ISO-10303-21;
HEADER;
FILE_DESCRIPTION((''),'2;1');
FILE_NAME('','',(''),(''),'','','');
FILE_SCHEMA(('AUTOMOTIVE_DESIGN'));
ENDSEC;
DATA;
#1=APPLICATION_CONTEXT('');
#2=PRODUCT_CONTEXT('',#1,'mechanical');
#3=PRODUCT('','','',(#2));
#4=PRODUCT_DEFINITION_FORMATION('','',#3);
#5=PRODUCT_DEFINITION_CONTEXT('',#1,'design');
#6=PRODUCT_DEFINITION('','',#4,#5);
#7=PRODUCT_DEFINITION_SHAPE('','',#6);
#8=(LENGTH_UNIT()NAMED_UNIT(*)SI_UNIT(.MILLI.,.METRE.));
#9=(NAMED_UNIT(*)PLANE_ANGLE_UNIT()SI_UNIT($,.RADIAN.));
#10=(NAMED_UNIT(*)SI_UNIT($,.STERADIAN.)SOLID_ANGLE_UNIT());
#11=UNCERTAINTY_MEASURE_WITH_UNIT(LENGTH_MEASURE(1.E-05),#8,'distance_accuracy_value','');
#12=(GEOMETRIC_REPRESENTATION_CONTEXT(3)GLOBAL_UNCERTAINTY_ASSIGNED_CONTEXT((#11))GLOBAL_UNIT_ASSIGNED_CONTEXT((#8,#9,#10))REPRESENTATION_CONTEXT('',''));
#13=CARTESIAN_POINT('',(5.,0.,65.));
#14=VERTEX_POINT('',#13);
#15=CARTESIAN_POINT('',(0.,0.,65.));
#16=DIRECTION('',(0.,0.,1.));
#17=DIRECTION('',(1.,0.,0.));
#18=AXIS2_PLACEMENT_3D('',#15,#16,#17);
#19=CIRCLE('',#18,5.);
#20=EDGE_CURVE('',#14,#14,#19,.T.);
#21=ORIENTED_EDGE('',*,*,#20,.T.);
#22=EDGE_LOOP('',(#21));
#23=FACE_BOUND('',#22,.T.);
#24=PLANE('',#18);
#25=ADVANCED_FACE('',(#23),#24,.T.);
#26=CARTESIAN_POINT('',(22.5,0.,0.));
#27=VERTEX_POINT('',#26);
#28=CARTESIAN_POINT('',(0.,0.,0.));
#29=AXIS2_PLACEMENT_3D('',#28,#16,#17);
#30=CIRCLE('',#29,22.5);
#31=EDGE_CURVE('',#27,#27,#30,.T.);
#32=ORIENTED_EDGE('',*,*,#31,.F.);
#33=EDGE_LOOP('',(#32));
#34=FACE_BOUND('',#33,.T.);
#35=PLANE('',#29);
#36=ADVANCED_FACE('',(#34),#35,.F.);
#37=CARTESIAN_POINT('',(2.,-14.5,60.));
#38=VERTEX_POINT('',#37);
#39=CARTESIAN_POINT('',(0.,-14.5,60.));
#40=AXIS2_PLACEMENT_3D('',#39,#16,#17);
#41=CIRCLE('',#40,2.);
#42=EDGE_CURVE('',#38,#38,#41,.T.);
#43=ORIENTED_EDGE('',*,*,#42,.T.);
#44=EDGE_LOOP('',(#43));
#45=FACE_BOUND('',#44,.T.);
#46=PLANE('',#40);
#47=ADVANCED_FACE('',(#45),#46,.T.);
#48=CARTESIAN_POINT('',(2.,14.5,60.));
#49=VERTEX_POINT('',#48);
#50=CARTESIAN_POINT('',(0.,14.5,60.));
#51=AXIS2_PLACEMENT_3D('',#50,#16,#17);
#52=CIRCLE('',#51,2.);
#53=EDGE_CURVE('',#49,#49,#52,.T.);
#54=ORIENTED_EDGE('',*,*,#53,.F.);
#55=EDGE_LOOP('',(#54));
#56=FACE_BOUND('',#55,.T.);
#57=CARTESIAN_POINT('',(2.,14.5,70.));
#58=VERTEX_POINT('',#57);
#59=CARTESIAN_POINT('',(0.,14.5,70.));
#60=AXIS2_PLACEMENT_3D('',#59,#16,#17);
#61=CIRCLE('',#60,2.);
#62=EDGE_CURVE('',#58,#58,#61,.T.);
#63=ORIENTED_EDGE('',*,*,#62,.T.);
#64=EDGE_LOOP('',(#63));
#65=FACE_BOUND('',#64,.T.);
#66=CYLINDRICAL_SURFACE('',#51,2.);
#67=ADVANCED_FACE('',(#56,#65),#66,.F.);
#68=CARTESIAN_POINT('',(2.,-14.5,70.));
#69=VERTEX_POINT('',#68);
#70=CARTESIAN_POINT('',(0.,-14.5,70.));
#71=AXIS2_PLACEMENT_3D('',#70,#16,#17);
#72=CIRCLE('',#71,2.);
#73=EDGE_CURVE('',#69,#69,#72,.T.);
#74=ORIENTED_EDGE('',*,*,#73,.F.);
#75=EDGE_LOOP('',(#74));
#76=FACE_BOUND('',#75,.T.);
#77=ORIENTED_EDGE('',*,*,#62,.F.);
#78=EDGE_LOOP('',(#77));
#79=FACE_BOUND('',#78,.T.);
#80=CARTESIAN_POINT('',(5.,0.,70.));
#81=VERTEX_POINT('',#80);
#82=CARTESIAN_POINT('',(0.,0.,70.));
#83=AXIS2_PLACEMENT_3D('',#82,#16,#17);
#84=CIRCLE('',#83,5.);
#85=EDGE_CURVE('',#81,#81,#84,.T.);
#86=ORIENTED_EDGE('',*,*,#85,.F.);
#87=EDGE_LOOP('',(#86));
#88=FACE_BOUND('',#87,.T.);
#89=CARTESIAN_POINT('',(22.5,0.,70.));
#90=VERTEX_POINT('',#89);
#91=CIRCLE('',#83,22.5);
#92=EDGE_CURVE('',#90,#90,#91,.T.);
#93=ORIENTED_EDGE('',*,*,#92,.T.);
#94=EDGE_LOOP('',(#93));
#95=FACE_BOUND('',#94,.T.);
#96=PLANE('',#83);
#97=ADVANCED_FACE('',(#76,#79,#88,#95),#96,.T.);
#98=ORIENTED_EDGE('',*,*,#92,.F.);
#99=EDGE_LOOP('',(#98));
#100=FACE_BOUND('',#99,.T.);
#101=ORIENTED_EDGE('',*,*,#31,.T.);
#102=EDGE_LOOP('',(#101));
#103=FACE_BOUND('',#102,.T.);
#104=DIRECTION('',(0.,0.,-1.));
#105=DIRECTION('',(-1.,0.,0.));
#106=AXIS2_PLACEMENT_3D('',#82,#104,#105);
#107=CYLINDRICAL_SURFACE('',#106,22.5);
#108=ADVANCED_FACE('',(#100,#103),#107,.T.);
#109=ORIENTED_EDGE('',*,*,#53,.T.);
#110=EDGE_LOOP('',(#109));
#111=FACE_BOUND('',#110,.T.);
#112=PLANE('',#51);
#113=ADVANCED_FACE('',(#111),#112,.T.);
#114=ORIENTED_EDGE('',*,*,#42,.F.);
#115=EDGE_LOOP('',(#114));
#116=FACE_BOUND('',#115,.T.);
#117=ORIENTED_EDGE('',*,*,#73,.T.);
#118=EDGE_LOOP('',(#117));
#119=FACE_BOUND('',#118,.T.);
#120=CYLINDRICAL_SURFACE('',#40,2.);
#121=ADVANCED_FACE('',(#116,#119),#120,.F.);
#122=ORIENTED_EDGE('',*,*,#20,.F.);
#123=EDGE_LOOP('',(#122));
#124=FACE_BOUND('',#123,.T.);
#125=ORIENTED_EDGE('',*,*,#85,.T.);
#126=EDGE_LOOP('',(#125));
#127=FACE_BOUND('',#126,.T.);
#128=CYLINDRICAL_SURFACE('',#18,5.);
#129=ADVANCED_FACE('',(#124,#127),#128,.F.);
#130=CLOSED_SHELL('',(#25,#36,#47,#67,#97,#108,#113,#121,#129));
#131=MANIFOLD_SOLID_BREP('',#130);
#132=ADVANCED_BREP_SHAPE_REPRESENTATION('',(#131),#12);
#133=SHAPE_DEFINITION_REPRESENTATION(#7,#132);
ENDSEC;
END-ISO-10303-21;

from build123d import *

# Parameters (mm, degrees)
SKETCH_1_R          = 22.5
EXTRUDE_1_DEPTH     = 70
SKETCH_2_R          = 2
CUT_EXTRUDE_1_DEPTH = 10
SKETCH_5_R          = 5
CUT_EXTRUDE_2_DEPTH = 5


with BuildPart() as part:
    # 草图1 → 凸台-拉伸1 (new body)
    with BuildSketch(Plane.XY):
        Circle(SKETCH_1_R)
    extrude(amount=EXTRUDE_1_DEPTH)

    # 草图2 → 切除-拉伸1 (cut)
    with BuildSketch(Plane.XY.offset(70)):
        with Locations((0, 14.5)):
            Circle(SKETCH_2_R)
        with Locations((0, -14.5)):
            Circle(SKETCH_2_R)
    extrude(amount=-CUT_EXTRUDE_1_DEPTH, mode=Mode.SUBTRACT)

    # 草图5 → 切除-拉伸2 (cut)
    with BuildSketch(Plane.XY.offset(70)):
        Circle(SKETCH_5_R)
    extrude(amount=-CUT_EXTRUDE_2_DEPTH, mode=Mode.SUBTRACT)


solid = part.part
